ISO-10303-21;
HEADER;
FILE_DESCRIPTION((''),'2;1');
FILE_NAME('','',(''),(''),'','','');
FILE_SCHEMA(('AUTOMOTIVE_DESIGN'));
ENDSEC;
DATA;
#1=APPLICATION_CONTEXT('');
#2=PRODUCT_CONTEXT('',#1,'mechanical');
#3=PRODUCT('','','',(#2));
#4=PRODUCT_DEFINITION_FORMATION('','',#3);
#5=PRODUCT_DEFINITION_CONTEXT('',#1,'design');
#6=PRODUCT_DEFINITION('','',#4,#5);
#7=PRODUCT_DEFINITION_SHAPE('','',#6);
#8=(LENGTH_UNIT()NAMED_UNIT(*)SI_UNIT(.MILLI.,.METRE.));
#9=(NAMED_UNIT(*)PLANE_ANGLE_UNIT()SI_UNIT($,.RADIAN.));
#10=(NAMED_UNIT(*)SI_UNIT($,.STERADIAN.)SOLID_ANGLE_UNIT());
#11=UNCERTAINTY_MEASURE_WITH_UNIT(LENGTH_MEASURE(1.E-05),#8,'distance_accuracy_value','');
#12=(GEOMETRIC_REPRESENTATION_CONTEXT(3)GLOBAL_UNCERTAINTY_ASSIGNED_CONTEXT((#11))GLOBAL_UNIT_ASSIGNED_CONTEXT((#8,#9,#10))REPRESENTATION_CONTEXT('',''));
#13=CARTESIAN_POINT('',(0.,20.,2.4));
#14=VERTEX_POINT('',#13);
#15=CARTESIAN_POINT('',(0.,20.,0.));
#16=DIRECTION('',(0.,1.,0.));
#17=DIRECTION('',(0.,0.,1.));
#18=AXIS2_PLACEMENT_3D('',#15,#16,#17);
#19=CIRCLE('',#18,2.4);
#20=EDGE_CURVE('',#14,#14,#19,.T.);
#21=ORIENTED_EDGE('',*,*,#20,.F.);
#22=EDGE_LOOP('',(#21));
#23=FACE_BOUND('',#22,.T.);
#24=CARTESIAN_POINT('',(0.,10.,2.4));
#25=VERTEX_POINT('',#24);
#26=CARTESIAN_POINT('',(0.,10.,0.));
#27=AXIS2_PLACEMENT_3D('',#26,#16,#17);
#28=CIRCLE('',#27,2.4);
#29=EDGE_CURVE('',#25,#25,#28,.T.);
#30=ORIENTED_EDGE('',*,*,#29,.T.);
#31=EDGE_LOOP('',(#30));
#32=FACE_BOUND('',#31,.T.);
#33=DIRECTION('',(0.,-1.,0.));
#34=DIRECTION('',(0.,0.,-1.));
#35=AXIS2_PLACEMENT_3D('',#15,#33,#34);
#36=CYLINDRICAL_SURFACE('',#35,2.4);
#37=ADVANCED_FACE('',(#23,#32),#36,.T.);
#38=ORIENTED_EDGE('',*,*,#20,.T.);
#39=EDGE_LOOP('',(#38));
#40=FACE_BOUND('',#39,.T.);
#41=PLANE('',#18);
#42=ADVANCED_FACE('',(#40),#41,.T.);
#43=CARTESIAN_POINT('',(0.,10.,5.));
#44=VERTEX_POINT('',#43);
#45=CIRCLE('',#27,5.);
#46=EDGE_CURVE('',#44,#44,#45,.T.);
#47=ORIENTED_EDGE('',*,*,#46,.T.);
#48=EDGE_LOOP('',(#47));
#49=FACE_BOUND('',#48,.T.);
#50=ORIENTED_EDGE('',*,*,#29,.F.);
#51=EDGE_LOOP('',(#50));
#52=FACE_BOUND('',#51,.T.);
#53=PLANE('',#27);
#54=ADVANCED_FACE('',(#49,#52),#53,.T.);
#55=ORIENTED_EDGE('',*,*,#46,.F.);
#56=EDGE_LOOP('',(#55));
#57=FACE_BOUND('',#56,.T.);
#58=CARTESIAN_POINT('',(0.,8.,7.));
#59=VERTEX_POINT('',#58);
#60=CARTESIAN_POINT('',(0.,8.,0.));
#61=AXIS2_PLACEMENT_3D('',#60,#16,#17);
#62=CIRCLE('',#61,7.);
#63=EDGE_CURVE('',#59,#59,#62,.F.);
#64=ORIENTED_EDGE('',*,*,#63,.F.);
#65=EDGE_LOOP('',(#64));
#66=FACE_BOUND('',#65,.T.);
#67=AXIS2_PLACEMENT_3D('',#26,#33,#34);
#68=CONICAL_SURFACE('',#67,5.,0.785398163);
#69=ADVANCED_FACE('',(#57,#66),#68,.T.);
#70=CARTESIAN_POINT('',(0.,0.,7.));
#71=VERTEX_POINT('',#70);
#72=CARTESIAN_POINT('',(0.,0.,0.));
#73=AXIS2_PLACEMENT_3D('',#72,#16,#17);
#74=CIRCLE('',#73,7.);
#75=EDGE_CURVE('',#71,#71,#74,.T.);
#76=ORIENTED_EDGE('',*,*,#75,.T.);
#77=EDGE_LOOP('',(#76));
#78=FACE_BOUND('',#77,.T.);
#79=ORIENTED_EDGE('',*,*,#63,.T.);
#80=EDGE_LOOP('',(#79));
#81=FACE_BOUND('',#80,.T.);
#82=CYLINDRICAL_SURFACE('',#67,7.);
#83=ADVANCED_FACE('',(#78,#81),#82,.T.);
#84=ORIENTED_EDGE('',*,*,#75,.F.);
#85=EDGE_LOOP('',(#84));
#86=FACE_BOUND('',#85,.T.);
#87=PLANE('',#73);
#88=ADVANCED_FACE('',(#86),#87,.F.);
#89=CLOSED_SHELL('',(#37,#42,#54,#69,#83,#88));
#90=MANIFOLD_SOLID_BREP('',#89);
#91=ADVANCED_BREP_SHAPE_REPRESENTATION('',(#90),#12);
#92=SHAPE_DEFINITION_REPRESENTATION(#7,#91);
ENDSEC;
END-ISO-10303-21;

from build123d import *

# Parameters (mm, degrees)
SKETCH1_R           = 7
BOSS_EXTRUDE1_DEPTH = 10
CHAMFER1_SIZE       = 2
SKETCH2_R           = 2.4
BOSS_EXTRUDE2_DEPTH = 10


with BuildPart() as part:
    # Sketch1 → Boss-Extrude1 (new body)
    with BuildSketch(Plane(origin=(0, 0, 0), x_dir=(1, 0, 0), z_dir=(0, 1, 0))):
        with Locations(Location((0, 0, 0), (0, 0, 270))):
            Circle(SKETCH1_R)
    extrude(amount=BOSS_EXTRUDE1_DEPTH)

    # Chamfer1
    chamfer1_edges = [part.edges().sort_by_distance(p)[0] for p in [
        (0, 10, -7),
    ]]
    chamfer(chamfer1_edges, length=CHAMFER1_SIZE)

    # Sketch2 → Boss-Extrude2 (add)
    with BuildSketch(Plane(origin=(0, 10, 0), x_dir=(1, 0, 0), z_dir=(0, 1, 0))):
        with Locations(Location((0, 0, 0), (0, 0, 270))):
            Circle(SKETCH2_R)
    extrude(amount=BOSS_EXTRUDE2_DEPTH)


solid = part.part
